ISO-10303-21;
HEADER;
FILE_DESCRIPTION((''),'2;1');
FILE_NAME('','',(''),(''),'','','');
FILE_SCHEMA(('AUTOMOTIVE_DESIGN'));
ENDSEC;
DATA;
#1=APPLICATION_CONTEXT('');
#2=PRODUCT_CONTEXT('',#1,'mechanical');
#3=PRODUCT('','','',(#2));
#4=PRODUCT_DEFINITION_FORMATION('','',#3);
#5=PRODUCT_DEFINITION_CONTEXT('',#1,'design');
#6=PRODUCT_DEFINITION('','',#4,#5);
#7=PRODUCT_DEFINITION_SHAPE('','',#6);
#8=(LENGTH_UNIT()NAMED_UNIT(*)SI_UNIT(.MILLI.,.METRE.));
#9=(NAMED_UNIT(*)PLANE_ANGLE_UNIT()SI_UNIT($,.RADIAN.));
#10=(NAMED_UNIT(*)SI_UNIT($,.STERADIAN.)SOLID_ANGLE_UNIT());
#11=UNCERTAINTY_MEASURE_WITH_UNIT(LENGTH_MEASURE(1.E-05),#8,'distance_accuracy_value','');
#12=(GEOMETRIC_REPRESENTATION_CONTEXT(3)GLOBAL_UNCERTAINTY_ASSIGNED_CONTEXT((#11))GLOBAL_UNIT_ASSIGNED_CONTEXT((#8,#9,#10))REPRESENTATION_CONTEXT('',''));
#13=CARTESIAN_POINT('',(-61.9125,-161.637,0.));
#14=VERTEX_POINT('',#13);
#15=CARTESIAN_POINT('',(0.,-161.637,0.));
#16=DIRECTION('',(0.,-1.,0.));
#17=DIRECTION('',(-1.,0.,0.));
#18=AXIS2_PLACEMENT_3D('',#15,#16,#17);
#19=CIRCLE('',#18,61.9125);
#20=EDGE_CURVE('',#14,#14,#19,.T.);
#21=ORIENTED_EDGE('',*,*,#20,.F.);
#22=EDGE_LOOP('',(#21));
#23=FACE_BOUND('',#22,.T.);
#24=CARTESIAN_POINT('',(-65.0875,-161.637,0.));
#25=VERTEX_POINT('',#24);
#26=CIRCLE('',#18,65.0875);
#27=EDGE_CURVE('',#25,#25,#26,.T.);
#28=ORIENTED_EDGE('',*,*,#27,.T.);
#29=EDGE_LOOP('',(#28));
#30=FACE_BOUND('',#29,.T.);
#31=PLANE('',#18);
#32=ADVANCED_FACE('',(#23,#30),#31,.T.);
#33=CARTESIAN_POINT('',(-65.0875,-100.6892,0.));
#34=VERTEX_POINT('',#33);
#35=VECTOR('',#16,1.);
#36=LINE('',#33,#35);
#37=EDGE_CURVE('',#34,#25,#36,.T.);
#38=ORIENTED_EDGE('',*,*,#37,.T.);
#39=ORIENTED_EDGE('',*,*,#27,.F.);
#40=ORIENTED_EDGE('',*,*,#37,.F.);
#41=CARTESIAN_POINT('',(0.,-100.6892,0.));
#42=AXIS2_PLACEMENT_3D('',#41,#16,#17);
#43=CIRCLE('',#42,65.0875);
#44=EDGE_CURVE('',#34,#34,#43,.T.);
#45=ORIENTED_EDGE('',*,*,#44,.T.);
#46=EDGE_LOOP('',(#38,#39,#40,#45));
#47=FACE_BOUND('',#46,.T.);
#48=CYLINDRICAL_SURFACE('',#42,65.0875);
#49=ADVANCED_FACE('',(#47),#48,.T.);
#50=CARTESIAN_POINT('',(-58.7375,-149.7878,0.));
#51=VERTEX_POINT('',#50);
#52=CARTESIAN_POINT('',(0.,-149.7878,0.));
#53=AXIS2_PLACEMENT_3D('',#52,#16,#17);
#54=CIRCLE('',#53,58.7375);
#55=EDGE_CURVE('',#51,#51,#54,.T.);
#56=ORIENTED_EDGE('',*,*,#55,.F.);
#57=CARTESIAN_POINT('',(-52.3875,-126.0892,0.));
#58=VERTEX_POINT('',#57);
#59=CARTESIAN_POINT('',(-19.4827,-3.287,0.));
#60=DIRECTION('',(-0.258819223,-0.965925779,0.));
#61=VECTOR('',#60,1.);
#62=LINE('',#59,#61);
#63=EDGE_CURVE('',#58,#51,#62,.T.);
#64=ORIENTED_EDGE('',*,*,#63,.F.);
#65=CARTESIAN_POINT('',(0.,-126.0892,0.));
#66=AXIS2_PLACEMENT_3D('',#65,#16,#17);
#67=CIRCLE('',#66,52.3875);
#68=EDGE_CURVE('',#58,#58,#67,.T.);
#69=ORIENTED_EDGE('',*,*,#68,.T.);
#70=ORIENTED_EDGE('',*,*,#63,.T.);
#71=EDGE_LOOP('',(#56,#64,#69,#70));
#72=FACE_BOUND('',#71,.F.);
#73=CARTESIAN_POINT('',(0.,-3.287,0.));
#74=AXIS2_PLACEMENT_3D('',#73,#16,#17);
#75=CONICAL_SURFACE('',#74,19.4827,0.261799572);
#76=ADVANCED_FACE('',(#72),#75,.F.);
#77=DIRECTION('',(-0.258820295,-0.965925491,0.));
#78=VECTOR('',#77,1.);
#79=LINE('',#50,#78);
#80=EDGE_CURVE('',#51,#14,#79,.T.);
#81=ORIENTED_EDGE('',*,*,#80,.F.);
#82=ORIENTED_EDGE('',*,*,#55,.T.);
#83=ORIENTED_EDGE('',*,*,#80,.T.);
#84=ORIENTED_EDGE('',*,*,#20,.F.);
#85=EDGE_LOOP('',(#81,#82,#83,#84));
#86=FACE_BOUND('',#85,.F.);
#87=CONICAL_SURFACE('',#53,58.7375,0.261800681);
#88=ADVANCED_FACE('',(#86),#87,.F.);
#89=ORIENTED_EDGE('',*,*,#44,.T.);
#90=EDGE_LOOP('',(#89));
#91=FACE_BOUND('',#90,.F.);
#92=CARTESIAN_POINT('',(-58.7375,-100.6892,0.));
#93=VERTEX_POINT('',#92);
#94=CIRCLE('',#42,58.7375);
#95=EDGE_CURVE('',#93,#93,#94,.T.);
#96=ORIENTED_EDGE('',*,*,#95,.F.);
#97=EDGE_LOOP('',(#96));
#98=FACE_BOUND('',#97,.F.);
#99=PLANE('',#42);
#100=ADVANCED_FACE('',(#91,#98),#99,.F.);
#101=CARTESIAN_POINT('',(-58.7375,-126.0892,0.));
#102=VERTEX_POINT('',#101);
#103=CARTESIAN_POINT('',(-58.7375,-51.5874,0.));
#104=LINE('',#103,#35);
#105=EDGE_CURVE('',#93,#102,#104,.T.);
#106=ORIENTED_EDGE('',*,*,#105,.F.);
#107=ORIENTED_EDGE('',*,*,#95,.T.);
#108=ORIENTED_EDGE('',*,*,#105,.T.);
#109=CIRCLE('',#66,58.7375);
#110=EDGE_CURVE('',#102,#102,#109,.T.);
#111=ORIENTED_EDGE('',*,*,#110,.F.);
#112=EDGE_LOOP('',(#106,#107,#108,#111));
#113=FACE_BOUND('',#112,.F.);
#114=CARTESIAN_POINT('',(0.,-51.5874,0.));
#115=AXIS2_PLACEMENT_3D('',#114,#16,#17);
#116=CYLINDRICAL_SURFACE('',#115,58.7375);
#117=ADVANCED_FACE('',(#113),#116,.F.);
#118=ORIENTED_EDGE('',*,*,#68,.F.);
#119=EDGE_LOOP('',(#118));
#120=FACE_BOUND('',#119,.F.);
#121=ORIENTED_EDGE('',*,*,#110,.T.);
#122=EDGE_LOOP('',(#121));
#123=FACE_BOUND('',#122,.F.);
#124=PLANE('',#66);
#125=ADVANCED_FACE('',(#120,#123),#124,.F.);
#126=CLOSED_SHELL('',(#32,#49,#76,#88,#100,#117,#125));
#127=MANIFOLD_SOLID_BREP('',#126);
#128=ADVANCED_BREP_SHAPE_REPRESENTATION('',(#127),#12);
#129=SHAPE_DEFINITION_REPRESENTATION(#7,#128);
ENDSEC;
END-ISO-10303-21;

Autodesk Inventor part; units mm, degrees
ref_plane "YZ Plane" through (0, 0, 0) normal (1, 0, 0) x (0, 1, 0)
ref_plane "XZ Plane" through (0, 0, 0) normal (0, 1, 0) x (-1, 0, 0)
ref_plane "XY Plane" through (0, 0, 0) normal (0, 0, 1) x (1, 0, 0)
sketch "Sketch1" plane through (0, 0, 0) normal (0, 0, 1) x (1, 0, 0)
  arc A0 (-19.4827, -3.287) -> (-19.05, 0) centre (-31.75, 0) ccw
  line L0 (-19.4827, -3.287) -> (-58.7375, -149.7878)
  line L1 (-65.8876, 46.8376) -> (-65.8876, 21.4376)
  line L2 (-65.8876, 21.4376) -> (-71.4375, 21.4376)
  arc A1 (-19.05, 0) -> (-65.8876, 46.8376) centre (-65.8876, 0) ccw
  line L3 (-44.45, 34.1376) -> (-33.8192, 34.1376)
  line L4 (-44.45, 34.1376) -> (-37.3992, -46.4536)
  line L5 (-44.45, 34.1376) -> (0, 34.1376) construction
  line L6 (-37.3992, -46.4536) -> (-31.0492, -46.4536)
  line L7 (-71.4375, 21.4376) -> (-71.4375, 8.7376)
  line L8 (-71.4375, 8.7376) -> (-58.7375, 8.7376)
  line L9 (-58.7375, 8.7376) -> (-52.3875, 8.7376)
  line L10 (-52.3875, 8.7376) -> (-52.3875, -102.3907)
  line L11 (-71.4375, 8.7376) -> (-71.4375, -0.7874)
  line L12 (-71.4375, 8.7376) -> (-61.9125, 8.7376) construction
  line L13 (-71.4375, -0.7874) -> (-58.7375, -0.7874)
  line L14 (-58.7375, -0.7874) -> (-58.7375, -51.5874)
  line L15 (-58.7375, -51.5874) -> (-71.4375, -51.5874)
  line L16 (-71.4375, -0.7874) -> (-65.0875, -0.7874)
  line L17 (-65.0875, -0.7874) -> (-65.0875, -6.731)
  line L18 (-65.0875, -6.731) -> (-71.4375, -6.731)
  line L19 (-71.4375, 21.4376) -> (-71.4375, -0.7874)
  line L20 (-71.4375, -6.731) -> (-71.4375, -51.5874)
  line L21 (-58.7375, -51.5874) -> (-58.7375, -126.0892)
  line L22 (-58.7375, -51.5874) -> (0, -51.5874) construction
  line L23 (-46.0375, -102.3907) -> (-52.3875, -102.3907)
  line L24 (-65.0875, -51.5907) -> (-58.7375, -51.5907)
  line L25 (-58.7375, -149.7878) -> (-61.9125, -161.637)
  line L26 (-58.7375, -149.7878) -> (-34.203, -149.7878) construction
  line L27 (-65.0875, -161.637) -> (-61.9125, -161.637)
  line L28 (-58.7375, -126.0892) -> (-52.3875, -126.0892)
  line L29 (0, 34.1376) -> (0, 0)
  line L30 (-65.0875, -100.6892) -> (-65.0875, -161.637)
  line L31 (-58.7375, -51.5907) -> (-61.9125, -51.5907)
  line L32 (-65.0875, -100.6892) -> (-58.7375, -100.6892)
  dimension "d0" = 19.05
  dimension "d1" = 25.4
  dimension "d2" = 5.5499
  dimension "d3" = 65.8876
  dimension "d4" = 85
  dimension "d5" = 12.7
  dimension "d6" = 46.8376
  dimension "d7" = 12.7
  dimension "d8" = 44.45
  dimension "d9" = 6.35
  dimension "d10" = 105
  dimension "d11" = 12.7
  dimension "d12" = 12.7
  dimension "d13" = 6.35
  dimension "d14" = 9.525
  dimension "d15" = 50.8
  dimension "d16" = 12.7
  dimension "d17" = 6.35
  dimension "d18" = 5.9436
  dimension "d19" = 6.35
  dimension "d20" = 50.8
  dimension "d21" = 6.35
  dimension "d22" = 105
  dimension "d23" = 3.175
  dimension "d24" = 6.35
  dimension "d25" = 60.9478
  dimension "d26" = 3.175
  dimension "d27" = 6.35
revolve "Revolution1" add sketch "Sketch1" angle 360 about axis through (0, 34.1376, 0) along (0, -1, 0) contours L0 L25 L27 L30 L32 L21 L28
properties part number "Aluminum Skirt" material "Aluminum 6061"
